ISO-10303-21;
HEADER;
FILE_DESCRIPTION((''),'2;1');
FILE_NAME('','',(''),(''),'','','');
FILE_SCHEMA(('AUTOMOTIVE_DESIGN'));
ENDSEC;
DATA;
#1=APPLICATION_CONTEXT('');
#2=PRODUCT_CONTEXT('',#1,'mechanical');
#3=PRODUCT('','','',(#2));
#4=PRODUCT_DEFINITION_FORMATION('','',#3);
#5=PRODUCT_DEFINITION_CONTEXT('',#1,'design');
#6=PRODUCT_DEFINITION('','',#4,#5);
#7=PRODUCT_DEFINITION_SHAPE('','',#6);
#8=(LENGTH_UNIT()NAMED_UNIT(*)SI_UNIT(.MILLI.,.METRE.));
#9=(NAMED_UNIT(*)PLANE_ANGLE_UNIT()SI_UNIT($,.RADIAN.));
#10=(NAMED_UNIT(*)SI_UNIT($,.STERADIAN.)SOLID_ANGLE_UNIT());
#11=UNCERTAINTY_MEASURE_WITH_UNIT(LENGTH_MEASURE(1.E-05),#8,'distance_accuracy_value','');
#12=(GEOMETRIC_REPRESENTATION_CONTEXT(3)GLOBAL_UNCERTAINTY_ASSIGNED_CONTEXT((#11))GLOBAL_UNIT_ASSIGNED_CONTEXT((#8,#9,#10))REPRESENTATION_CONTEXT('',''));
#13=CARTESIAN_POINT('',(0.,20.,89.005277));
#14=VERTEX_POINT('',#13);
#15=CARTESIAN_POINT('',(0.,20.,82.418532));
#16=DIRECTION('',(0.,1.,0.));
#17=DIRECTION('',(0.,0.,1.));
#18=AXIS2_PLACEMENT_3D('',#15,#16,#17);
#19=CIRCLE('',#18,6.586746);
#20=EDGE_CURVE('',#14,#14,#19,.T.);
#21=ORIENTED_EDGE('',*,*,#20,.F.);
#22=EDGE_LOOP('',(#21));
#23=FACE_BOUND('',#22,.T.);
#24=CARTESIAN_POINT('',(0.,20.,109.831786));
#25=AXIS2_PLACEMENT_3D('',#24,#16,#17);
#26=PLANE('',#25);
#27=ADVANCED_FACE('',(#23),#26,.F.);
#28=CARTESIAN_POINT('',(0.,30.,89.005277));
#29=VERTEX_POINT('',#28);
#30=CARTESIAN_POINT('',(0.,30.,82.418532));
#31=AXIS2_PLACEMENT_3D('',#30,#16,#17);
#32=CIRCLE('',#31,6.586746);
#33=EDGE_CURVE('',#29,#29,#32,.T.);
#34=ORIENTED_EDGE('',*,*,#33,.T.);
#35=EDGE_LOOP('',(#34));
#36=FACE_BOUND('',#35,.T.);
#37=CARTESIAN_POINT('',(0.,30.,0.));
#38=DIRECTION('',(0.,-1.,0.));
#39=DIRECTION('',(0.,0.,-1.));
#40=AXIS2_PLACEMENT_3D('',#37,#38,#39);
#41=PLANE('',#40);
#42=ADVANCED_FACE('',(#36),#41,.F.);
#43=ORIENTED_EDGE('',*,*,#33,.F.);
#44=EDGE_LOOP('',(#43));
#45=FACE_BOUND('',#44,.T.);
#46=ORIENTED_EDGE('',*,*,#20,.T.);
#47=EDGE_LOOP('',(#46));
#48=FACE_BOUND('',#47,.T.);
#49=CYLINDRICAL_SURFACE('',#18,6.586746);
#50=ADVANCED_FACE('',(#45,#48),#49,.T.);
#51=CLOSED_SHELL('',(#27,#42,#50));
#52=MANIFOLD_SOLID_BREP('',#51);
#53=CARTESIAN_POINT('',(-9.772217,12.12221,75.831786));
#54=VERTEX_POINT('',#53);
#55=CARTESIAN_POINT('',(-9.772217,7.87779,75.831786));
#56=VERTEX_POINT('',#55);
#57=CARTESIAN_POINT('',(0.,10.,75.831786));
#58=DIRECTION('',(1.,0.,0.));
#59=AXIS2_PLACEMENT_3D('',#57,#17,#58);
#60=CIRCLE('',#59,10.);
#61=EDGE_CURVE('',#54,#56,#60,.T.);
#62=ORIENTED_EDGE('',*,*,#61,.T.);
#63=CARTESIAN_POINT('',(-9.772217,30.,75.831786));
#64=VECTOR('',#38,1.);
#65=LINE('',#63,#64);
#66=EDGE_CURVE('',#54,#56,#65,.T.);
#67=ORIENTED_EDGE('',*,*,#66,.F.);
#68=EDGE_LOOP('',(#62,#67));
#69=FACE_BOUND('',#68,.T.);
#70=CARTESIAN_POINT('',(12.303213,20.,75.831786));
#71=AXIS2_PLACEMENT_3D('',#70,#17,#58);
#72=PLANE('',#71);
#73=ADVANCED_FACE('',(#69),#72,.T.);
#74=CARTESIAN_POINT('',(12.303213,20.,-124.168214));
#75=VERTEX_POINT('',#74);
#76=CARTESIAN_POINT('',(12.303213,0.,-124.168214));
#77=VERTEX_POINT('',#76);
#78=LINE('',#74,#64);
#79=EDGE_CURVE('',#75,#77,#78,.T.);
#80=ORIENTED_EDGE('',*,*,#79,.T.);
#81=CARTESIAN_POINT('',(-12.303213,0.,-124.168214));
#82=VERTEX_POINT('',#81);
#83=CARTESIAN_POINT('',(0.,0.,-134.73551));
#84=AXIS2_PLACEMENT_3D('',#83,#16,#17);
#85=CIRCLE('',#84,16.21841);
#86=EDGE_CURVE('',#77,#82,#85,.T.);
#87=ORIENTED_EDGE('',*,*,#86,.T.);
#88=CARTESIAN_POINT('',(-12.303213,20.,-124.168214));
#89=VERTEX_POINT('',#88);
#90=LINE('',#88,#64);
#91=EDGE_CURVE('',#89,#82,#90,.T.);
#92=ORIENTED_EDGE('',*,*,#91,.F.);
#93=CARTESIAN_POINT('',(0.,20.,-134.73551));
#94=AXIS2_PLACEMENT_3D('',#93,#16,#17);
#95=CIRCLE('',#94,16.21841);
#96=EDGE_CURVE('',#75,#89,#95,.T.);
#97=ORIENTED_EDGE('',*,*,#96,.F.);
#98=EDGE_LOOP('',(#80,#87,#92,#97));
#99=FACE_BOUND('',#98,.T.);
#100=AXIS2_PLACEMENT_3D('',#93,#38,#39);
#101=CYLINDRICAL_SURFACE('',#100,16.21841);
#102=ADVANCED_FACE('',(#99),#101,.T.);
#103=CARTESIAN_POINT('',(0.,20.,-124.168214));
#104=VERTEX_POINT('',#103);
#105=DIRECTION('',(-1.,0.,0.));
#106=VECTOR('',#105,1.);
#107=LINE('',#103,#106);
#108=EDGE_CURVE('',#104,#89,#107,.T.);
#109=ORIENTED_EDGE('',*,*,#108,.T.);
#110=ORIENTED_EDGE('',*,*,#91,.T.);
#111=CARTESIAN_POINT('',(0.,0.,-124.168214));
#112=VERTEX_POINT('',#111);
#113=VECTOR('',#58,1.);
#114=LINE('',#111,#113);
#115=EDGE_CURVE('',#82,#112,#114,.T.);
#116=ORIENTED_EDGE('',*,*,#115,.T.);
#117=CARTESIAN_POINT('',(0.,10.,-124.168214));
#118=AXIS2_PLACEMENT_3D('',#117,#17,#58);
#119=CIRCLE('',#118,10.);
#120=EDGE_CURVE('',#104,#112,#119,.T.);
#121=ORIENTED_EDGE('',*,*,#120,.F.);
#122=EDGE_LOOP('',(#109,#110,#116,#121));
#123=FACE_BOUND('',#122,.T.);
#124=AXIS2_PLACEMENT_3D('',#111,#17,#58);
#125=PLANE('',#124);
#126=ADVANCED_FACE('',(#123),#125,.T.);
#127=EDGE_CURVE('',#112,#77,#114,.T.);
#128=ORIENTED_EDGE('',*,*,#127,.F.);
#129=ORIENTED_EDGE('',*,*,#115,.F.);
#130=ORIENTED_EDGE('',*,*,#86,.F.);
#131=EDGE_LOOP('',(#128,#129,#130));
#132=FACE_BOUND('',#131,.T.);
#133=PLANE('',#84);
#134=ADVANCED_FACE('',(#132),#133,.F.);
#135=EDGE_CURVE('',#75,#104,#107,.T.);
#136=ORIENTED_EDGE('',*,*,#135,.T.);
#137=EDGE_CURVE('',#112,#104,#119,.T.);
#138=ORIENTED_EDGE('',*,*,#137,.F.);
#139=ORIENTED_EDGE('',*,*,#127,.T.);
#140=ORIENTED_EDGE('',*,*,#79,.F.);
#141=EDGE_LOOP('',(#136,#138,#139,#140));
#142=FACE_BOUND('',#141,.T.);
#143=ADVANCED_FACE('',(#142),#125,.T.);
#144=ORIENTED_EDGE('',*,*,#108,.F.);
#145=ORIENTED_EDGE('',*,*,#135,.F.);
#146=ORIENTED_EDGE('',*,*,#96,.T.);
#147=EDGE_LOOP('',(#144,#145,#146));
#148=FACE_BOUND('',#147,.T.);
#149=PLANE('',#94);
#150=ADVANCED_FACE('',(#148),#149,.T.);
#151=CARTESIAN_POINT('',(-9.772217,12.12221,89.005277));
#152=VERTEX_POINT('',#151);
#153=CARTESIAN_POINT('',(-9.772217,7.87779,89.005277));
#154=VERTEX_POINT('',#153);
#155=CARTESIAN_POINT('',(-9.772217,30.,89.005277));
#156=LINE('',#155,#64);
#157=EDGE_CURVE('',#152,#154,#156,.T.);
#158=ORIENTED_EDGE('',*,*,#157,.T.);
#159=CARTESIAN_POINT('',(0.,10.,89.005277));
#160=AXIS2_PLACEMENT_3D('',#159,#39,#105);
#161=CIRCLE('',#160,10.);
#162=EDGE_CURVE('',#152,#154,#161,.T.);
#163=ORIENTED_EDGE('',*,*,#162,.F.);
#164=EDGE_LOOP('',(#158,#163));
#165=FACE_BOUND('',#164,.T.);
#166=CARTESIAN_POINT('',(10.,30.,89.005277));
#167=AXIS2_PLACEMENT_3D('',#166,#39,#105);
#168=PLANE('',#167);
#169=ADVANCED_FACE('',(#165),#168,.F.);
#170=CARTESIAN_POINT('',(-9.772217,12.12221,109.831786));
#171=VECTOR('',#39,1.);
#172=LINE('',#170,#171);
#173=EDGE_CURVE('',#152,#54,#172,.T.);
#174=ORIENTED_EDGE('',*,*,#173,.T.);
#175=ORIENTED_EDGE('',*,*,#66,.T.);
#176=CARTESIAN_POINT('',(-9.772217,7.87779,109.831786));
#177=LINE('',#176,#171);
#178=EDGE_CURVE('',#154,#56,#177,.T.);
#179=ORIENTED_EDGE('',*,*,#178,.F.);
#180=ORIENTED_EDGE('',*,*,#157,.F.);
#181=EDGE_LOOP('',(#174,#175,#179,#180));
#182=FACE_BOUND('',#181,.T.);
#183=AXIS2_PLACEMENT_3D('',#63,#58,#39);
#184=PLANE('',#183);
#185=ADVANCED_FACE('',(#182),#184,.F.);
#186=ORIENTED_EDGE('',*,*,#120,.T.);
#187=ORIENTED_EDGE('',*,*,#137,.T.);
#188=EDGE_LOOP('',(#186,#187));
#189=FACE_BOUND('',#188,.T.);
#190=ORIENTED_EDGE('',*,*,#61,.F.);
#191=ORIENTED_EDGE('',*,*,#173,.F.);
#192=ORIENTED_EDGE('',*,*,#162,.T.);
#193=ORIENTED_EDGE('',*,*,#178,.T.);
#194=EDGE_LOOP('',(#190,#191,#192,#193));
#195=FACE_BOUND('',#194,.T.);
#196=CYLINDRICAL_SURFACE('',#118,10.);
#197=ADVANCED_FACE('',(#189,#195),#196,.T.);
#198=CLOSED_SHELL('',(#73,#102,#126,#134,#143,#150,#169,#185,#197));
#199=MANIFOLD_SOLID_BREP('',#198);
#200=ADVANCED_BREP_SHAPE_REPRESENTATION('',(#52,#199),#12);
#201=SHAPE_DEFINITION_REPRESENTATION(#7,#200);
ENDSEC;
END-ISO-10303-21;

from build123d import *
from build123d.topology import SkipClean

# Parameters (mm, degrees)
BOSS_EXTRUDE1_DEPTH = 20
CUT_EXTRUDE3_DEPTH  = 200
SKETCH5_W           = 19.772216907
SKETCH5_H           = 13.173491176
BOSS_EXTRUDE2_DEPTH = 30
CUT_EXTRUDE6_DEPTH  = 10
CUT_EXTRUDE8_START  = -34
CUT_EXTRUDE8_DEPTH  = 34


with BuildPart() as part:
    # Sketch1 → Boss-Extrude1 (new body)
    with BuildSketch(Plane(origin=(0, 0, 0), x_dir=(1, 0, 0), z_dir=(0, 1, 0))):
        with BuildLine():
            Line((12.303213462, -75.831786225), (-12.303213462, -75.831786225))
            Line((-12.303213462, -75.831786225), (-12.303213462, 124.168213775))
            ThreePointArc((-12.303213462, 124.168213775), (0, 150.953919879), (12.303213462, 124.168213775))
            Line((12.303213462, 124.168213775), (12.303213462, -75.831786225))
        make_face()
    extrude(amount=BOSS_EXTRUDE1_DEPTH)

    # Sketch3 → Cut-Extrude3 (cut)
    with BuildSketch(Plane.XY.offset(75.831786225)):
        with BuildLine():
            Line((5e-09, 0), (12.303213462, 0))
            Line((12.303213462, 0), (12.303213462, 20))
            Line((12.303213462, 20), (5.3e-08, 20))
            ThreePointArc((5.3e-08, 20), (10, 9.999999976), (5e-09, 0))
        make_face()
        with BuildLine():
            Line((-12.303213462, 0), (5e-09, 0))
            ThreePointArc((5e-09, 0), (-10, 10.000000024), (5.3e-08, 20))
            Line((5.3e-08, 20), (-12.303213462, 20))
            Line((-12.303213462, 20), (-12.303213462, 0))
        make_face()
    extrude(amount=-CUT_EXTRUDE3_DEPTH, mode=Mode.SUBTRACT)

    # Sketch5 → Boss-Extrude2 (add)
    with BuildSketch(Plane(origin=(0, 0, 0), x_dir=(1, 0, 0), z_dir=(0, 1, 0))):
        with Locations((0.113891546, -82.418531813)):
            Rectangle(SKETCH5_W, SKETCH5_H)
    extrude(amount=BOSS_EXTRUDE2_DEPTH)

    # Sketch6 → Cut-Extrude6 (cut)
    with BuildSketch(Plane(origin=(0, 30, 0), x_dir=(1, 0, 0), z_dir=(0, 1, 0))):
        with BuildLine():
            ThreePointArc((0, -89.005277401), (-6.586745588, -82.418531813), (0, -75.831786225))
            Line((0, -75.831786225), (-9.772216907, -75.831786225))
            Line((-9.772216907, -75.831786225), (-9.772216907, -89.005277401))
            Line((-9.772216907, -89.005277401), (0, -89.005277401))
        make_face()
        with BuildLine():
            Line((10, -75.831786225), (0, -75.831786225))
            ThreePointArc((0, -75.831786225), (6.586745588, -82.418531813), (0, -89.005277401))
            Line((0, -89.005277401), (10, -89.005277401))
            Line((10, -89.005277401), (10, -75.831786225))
        make_face()
    extrude(amount=-CUT_EXTRUDE6_DEPTH, mode=Mode.SUBTRACT)

    # Sketch9 → Cut-Extrude8 (cut)
    with SkipClean():  # the faces are left unmerged after this step: merging them gives an invalid solid
        with BuildSketch(Plane(origin=(0, 0, 75.831786225), x_dir=(-1, 0, 0), z_dir=(0, 0, -1)).offset(CUT_EXTRUDE8_START)):
            with BuildLine():
                Line((9.772216907, 12.12221034), (9.772216907, 20))
                Line((9.772216907, 20), (0, 20))
                ThreePointArc((0, 20), (6.276061528, 17.785309994), (9.772216907, 12.12221034))
            make_face()
            with BuildLine():
                ThreePointArc((9.772216907, 7.87778966), (6.276061528, 2.214690006), (0, 0))
                Line((0, 0), (9.772216907, 0))
                Line((9.772216907, 0), (9.772216907, 7.87778966))
            make_face()
            with BuildLine():
                ThreePointArc((0, 0), (-7.071067812, 2.928932188), (-10, 10))
                Line((-10, 10), (-10, 0))
                Line((-10, 0), (0, 0))
            make_face()
            with BuildLine():
                ThreePointArc((-10, 10), (-7.071067812, 17.071067812), (0, 20))
                Line((0, 20), (-10, 20))
                Line((-10, 20), (-10, 10))
            make_face()
        extrude(amount=CUT_EXTRUDE8_DEPTH, mode=Mode.SUBTRACT)


with BuildPart() as cut_extrude8_piece_1:
    # of the separate pieces the step leaves, piece 1, a body of its own (cut_extrude8_pieces)
    add(part.part.solids().sort_by_distance((-12.303213462, 0, -124.168213775))[0])


with BuildPart() as cut_extrude8_piece_2:
    # of the separate pieces the step leaves, piece 2, a body of its own (cut_extrude8_pieces)
    add(part.part.solids().sort_by_distance((0, 30, 89.005277401))[0])


solid = Compound([cut_extrude8_piece_1.part, cut_extrude8_piece_2.part])
